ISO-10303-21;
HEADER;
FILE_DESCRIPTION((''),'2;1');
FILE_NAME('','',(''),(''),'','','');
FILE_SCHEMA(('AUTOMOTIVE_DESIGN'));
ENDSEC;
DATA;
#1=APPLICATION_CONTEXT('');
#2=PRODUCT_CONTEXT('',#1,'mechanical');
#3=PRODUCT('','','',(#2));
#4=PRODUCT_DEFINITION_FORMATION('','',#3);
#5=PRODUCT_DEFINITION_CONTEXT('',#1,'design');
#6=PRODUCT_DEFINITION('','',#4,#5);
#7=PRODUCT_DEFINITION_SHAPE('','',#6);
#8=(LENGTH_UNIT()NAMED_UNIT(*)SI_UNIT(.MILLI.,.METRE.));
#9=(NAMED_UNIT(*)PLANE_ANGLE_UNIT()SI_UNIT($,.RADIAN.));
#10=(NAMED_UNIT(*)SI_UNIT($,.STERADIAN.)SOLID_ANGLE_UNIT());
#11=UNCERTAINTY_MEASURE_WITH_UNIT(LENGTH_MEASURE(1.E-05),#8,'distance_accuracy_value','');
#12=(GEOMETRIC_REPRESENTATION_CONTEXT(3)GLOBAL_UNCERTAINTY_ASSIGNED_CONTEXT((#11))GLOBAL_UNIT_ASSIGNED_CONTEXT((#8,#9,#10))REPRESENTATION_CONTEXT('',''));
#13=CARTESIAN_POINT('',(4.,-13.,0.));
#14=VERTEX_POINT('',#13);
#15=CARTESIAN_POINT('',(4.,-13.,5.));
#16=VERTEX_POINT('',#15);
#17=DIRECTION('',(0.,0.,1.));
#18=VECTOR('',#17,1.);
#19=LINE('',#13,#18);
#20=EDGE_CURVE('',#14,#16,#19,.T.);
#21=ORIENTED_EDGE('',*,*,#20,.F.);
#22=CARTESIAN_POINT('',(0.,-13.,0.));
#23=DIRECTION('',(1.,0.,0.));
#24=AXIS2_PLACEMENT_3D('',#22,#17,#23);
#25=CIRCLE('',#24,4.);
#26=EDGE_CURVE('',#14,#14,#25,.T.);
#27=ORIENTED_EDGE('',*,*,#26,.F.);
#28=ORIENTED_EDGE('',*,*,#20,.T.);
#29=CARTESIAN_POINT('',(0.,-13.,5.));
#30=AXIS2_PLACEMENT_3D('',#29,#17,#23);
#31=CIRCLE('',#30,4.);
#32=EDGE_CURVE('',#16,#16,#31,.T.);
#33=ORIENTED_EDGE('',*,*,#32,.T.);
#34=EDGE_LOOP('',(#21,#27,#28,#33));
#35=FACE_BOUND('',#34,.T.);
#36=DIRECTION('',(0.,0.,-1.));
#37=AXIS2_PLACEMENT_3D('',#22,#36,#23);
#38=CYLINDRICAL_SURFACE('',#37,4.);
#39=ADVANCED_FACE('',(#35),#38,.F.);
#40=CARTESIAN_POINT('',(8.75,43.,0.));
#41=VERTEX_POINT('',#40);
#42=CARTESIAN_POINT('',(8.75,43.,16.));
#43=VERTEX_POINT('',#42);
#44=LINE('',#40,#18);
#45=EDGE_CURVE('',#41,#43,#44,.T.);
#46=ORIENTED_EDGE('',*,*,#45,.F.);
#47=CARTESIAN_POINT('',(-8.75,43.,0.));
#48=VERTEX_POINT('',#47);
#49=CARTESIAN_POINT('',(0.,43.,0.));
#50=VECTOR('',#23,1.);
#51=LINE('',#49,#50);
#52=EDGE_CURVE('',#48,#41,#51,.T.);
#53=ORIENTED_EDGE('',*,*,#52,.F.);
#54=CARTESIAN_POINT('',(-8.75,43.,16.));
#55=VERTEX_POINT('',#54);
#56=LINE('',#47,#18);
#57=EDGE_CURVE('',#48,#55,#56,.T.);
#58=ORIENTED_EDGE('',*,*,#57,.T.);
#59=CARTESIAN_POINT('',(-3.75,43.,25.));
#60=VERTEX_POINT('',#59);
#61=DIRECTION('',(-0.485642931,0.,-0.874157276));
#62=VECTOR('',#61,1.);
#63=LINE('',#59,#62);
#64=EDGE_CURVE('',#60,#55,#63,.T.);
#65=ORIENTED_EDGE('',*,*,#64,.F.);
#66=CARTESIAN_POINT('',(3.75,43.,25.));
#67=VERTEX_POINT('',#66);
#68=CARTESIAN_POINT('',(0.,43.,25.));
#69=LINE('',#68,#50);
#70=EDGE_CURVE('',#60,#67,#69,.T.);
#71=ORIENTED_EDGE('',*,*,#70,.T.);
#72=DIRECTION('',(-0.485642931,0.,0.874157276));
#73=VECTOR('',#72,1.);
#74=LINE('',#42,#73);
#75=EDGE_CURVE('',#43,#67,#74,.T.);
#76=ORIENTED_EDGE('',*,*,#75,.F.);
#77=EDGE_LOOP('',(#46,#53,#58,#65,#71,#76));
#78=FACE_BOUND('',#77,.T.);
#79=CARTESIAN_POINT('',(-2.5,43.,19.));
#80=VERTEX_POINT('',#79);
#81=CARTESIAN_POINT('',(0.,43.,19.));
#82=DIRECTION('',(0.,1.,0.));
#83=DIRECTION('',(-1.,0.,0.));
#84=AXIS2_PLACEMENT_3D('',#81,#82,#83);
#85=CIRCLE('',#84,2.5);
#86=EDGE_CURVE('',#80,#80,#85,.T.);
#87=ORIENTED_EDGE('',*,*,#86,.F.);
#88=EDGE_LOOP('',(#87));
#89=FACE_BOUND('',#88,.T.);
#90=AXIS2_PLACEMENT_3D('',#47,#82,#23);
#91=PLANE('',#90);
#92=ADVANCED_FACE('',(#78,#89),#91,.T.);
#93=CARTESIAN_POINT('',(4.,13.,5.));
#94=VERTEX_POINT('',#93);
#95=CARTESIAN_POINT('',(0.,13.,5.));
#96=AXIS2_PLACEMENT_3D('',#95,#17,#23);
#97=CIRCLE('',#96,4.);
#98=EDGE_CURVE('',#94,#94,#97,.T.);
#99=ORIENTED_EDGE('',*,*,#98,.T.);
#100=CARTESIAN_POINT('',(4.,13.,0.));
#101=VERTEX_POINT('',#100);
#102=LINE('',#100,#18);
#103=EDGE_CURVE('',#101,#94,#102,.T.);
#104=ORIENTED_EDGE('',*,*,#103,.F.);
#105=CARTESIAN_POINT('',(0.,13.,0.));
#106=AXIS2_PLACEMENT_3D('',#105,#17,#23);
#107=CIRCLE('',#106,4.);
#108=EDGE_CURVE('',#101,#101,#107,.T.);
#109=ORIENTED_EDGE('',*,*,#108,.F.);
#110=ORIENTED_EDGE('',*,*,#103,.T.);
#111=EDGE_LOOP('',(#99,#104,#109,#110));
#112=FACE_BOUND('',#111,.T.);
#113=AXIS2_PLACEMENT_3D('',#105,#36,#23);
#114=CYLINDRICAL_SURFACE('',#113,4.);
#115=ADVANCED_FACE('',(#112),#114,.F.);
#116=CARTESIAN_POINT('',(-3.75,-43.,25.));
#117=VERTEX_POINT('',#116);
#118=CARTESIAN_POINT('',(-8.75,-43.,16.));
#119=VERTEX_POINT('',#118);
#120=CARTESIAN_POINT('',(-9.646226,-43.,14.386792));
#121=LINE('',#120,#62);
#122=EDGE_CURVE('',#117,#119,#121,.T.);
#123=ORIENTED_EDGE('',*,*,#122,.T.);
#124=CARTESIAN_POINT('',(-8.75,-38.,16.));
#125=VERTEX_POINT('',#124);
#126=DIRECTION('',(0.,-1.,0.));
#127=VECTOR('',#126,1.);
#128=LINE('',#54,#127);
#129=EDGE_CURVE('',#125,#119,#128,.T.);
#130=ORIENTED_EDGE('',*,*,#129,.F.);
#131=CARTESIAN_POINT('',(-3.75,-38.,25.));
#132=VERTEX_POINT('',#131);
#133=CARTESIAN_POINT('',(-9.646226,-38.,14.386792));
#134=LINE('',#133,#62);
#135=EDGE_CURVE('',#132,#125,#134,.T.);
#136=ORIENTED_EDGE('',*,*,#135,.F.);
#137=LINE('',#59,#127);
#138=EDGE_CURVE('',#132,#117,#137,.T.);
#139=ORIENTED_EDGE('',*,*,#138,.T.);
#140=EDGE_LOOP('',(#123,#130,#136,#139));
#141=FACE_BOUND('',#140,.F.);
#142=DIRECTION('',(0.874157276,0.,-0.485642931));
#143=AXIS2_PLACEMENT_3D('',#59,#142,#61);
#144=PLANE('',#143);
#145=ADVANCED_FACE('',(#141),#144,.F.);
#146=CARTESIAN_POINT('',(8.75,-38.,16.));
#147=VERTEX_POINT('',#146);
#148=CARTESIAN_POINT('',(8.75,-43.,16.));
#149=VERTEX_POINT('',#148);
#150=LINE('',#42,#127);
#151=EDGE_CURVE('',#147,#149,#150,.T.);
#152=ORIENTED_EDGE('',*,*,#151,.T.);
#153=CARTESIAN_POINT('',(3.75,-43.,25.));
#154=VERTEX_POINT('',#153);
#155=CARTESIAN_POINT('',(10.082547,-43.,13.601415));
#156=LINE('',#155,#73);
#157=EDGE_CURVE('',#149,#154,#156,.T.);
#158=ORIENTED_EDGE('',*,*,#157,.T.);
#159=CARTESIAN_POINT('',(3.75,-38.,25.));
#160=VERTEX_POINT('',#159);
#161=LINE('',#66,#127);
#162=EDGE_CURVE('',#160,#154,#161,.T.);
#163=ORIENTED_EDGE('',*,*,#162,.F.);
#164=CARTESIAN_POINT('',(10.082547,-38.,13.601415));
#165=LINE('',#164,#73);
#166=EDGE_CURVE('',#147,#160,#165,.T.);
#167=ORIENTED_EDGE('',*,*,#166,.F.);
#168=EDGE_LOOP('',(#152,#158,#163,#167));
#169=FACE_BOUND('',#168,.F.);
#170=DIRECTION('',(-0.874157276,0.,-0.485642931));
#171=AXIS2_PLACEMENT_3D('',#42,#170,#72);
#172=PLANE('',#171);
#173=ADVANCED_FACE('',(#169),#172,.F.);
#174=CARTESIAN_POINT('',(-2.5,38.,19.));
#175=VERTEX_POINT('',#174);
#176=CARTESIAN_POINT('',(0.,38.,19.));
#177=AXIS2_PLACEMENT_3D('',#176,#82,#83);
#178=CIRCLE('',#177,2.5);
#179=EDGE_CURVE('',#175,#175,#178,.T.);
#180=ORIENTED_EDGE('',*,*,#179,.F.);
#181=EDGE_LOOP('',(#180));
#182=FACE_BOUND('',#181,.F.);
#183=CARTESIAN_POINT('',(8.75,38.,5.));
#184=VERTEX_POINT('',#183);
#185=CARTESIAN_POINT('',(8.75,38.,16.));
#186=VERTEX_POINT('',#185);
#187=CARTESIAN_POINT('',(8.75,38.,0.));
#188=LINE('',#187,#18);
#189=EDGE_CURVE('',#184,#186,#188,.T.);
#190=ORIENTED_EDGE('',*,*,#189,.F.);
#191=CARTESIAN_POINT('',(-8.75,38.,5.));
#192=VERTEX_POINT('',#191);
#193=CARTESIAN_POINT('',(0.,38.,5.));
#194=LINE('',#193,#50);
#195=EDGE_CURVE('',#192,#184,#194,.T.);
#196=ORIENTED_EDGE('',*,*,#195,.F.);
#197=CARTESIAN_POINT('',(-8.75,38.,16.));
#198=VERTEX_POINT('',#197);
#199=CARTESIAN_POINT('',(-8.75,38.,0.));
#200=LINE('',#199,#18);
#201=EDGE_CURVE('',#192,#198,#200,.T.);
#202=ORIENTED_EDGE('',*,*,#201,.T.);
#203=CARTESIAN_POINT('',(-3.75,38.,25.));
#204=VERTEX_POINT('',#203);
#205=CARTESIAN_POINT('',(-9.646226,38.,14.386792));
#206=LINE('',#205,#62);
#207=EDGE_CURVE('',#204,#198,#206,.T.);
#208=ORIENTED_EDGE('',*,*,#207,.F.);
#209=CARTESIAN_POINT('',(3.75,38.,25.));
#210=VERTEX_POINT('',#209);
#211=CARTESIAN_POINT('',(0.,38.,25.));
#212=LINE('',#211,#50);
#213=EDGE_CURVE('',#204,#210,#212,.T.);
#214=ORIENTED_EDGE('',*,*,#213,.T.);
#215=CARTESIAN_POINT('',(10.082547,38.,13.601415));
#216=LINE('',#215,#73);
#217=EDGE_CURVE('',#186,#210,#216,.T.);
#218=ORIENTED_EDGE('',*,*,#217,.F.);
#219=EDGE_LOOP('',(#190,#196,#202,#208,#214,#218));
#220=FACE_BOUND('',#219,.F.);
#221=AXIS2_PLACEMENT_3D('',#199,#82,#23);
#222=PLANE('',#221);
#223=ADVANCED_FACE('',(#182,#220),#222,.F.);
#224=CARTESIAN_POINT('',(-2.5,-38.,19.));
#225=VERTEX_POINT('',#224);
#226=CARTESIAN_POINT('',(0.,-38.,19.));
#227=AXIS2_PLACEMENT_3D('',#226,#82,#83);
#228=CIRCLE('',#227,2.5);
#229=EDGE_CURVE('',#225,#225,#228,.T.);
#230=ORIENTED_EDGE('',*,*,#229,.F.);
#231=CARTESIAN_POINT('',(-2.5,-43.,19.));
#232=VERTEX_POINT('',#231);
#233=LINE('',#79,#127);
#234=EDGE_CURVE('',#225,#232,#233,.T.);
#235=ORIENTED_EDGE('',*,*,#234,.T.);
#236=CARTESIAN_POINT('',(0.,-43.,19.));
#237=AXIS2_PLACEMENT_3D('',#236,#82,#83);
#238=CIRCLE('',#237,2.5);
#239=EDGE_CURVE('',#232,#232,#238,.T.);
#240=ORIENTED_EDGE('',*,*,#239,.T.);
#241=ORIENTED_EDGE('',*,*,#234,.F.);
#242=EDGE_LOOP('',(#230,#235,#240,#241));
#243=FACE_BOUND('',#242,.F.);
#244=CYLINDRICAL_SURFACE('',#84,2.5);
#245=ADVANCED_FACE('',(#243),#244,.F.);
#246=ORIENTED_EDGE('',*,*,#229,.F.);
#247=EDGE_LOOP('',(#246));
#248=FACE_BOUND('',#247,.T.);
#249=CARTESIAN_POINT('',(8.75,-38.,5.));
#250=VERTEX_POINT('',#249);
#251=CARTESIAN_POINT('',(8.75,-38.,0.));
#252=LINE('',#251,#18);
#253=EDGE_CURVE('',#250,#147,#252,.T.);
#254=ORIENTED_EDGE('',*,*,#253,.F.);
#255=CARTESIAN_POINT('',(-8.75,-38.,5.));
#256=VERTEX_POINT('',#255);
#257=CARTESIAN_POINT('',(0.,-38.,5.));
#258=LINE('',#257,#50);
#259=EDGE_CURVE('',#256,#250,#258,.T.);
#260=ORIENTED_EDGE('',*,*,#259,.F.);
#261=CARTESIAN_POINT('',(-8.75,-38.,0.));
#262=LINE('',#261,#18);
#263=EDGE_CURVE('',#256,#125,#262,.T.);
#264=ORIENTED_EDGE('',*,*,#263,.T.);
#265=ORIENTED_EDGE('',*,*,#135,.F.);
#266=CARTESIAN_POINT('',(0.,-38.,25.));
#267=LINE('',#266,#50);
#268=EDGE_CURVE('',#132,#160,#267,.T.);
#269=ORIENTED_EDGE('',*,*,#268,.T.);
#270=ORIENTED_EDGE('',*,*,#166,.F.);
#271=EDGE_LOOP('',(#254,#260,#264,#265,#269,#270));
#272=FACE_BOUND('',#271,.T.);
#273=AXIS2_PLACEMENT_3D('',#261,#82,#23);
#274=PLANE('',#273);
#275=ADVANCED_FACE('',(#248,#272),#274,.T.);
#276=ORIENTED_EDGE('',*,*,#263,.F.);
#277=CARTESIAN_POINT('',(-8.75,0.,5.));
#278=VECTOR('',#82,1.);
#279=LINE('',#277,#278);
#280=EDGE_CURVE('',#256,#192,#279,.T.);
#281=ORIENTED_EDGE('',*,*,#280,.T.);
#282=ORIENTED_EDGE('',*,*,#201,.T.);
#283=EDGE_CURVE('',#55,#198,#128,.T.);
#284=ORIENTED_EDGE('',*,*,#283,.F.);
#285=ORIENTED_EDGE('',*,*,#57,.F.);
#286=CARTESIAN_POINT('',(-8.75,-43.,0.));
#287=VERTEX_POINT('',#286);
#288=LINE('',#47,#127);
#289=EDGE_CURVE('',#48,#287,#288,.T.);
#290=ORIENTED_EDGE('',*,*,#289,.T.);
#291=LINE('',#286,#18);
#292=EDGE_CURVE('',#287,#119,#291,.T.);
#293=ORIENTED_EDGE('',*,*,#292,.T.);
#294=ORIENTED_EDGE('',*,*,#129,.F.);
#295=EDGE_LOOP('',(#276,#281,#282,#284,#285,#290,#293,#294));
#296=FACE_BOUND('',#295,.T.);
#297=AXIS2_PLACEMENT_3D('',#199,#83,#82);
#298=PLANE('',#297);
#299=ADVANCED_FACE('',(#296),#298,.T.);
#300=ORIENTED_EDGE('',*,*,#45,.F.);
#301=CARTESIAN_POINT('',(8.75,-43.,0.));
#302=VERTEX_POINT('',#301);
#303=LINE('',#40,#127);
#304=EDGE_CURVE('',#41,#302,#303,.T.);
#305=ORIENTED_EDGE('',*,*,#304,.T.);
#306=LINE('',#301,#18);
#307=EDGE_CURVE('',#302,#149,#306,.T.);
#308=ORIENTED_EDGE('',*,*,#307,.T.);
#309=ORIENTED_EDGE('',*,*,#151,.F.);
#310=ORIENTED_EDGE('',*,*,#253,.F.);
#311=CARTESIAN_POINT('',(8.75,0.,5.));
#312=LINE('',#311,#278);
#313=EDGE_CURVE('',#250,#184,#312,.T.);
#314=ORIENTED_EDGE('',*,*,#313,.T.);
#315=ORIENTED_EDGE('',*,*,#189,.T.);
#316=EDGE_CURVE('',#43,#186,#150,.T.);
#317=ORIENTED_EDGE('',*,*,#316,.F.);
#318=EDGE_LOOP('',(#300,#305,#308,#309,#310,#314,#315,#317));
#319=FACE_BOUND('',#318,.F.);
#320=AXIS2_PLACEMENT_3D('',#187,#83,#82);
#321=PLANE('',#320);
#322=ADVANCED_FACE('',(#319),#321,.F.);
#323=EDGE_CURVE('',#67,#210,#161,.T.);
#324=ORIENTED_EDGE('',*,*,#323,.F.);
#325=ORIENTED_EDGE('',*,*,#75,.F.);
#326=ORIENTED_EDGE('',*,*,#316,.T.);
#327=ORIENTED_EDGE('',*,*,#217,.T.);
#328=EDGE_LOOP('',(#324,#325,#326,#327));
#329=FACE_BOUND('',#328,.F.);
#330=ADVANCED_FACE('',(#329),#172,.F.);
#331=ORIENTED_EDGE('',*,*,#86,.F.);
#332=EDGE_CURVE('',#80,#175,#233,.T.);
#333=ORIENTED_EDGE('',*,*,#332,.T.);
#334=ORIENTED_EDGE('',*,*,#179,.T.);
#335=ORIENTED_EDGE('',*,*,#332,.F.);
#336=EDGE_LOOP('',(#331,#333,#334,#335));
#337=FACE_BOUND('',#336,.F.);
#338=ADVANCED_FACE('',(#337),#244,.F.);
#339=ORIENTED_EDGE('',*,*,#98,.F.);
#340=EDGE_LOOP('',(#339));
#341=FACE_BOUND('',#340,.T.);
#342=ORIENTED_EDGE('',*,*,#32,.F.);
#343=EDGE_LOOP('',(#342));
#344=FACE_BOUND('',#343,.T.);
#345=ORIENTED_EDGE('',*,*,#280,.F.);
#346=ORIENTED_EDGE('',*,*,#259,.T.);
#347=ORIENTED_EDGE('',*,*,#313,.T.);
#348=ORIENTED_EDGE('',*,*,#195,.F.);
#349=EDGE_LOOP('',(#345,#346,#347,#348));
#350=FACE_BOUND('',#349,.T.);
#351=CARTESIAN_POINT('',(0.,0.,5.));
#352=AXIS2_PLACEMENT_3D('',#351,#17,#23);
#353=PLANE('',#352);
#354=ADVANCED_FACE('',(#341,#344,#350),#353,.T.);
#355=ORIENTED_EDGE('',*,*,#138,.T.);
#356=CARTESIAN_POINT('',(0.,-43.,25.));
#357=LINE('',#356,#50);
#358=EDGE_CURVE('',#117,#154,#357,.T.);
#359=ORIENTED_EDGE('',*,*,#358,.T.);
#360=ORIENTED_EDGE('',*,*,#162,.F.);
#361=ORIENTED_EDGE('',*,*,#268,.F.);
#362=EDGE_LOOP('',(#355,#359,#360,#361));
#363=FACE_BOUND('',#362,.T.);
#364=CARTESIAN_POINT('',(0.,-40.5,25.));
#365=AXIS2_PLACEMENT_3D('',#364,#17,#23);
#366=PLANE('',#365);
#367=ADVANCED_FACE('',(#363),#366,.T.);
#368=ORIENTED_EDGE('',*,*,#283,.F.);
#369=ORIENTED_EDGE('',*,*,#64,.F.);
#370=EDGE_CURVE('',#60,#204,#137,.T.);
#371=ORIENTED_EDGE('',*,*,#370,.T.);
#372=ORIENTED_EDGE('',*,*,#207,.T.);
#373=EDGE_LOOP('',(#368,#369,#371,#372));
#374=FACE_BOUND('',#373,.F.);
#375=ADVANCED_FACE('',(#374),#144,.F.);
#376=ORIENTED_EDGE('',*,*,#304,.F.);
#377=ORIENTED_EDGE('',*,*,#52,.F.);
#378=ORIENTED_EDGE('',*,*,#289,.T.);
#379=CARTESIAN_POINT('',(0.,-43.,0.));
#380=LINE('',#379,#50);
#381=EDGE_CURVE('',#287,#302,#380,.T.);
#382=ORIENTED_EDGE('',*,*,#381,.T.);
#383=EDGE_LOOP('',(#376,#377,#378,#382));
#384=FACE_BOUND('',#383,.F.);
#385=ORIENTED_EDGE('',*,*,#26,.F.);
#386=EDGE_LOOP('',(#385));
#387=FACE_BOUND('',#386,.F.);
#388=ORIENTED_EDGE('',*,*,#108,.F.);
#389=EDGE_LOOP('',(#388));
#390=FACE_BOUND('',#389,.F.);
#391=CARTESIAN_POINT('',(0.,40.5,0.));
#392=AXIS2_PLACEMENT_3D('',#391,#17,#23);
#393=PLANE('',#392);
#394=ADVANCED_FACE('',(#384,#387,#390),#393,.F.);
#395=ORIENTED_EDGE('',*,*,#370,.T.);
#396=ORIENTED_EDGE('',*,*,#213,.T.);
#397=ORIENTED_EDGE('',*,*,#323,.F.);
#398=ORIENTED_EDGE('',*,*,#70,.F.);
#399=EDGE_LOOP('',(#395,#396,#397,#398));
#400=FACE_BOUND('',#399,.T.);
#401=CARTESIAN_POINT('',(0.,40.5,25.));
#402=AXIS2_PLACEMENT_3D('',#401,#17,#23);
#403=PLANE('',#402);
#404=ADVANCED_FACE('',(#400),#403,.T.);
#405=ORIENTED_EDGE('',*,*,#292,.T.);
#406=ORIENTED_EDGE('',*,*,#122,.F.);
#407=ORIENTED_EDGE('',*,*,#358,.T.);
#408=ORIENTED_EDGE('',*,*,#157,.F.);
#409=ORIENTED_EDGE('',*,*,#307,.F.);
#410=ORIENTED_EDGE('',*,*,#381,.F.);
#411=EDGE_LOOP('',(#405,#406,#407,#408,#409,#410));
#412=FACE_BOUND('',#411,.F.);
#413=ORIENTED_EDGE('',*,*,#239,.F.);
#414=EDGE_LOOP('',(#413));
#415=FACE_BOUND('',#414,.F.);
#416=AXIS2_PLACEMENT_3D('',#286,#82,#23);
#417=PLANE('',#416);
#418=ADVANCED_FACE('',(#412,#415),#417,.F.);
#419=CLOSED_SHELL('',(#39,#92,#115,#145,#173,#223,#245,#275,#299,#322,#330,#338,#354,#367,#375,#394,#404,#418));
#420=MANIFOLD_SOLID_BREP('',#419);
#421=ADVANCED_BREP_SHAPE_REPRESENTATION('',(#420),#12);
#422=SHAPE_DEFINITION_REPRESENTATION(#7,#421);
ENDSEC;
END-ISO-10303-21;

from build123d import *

# Parameters (mm, degrees)
F0_W     = 17.5
F0_H     = 76
F0_R     = 4
F1_DEPTH = 5
F0_H_2   = 5
F2_DEPTH = 25
F3_R     = 2.5
F4_DEPTH = 100


with BuildPart() as f1:
    # F0 (on Top) → F1 (new body)
    with BuildSketch(Plane.XY):
        Rectangle(F0_W, F0_H)
        with Locations((0, -13)):
            Circle(F0_R, mode=Mode.SUBTRACT)
        with Locations((0, 13)):
            Circle(F0_R, mode=Mode.SUBTRACT)
    extrude(amount=F1_DEPTH)

    # F0 (on Top) → F2 (join)
    with BuildSketch(Plane.XY):
        with Locations((0, 40.5)):
            Rectangle(F0_W, F0_H_2)
        with Locations((0, -40.5)):
            Rectangle(F0_W, F0_H_2)
    extrude(amount=F2_DEPTH)

    # F3 (on face) → F4 (cut)
    with BuildSketch(Plane(origin=(0, 43, 0), x_dir=(-1, 0, 0), z_dir=(0, 1, 0))):
        Polygon((3.75, 25), (8.75, 16), (8.75, 25), align=None)
        Polygon((-8.75, 25), (-8.75, 16), (-3.75, 25), align=None)
        with Locations((0, 19)):
            Circle(F3_R)
    extrude(amount=-F4_DEPTH, mode=Mode.SUBTRACT)


solid = f1.part
